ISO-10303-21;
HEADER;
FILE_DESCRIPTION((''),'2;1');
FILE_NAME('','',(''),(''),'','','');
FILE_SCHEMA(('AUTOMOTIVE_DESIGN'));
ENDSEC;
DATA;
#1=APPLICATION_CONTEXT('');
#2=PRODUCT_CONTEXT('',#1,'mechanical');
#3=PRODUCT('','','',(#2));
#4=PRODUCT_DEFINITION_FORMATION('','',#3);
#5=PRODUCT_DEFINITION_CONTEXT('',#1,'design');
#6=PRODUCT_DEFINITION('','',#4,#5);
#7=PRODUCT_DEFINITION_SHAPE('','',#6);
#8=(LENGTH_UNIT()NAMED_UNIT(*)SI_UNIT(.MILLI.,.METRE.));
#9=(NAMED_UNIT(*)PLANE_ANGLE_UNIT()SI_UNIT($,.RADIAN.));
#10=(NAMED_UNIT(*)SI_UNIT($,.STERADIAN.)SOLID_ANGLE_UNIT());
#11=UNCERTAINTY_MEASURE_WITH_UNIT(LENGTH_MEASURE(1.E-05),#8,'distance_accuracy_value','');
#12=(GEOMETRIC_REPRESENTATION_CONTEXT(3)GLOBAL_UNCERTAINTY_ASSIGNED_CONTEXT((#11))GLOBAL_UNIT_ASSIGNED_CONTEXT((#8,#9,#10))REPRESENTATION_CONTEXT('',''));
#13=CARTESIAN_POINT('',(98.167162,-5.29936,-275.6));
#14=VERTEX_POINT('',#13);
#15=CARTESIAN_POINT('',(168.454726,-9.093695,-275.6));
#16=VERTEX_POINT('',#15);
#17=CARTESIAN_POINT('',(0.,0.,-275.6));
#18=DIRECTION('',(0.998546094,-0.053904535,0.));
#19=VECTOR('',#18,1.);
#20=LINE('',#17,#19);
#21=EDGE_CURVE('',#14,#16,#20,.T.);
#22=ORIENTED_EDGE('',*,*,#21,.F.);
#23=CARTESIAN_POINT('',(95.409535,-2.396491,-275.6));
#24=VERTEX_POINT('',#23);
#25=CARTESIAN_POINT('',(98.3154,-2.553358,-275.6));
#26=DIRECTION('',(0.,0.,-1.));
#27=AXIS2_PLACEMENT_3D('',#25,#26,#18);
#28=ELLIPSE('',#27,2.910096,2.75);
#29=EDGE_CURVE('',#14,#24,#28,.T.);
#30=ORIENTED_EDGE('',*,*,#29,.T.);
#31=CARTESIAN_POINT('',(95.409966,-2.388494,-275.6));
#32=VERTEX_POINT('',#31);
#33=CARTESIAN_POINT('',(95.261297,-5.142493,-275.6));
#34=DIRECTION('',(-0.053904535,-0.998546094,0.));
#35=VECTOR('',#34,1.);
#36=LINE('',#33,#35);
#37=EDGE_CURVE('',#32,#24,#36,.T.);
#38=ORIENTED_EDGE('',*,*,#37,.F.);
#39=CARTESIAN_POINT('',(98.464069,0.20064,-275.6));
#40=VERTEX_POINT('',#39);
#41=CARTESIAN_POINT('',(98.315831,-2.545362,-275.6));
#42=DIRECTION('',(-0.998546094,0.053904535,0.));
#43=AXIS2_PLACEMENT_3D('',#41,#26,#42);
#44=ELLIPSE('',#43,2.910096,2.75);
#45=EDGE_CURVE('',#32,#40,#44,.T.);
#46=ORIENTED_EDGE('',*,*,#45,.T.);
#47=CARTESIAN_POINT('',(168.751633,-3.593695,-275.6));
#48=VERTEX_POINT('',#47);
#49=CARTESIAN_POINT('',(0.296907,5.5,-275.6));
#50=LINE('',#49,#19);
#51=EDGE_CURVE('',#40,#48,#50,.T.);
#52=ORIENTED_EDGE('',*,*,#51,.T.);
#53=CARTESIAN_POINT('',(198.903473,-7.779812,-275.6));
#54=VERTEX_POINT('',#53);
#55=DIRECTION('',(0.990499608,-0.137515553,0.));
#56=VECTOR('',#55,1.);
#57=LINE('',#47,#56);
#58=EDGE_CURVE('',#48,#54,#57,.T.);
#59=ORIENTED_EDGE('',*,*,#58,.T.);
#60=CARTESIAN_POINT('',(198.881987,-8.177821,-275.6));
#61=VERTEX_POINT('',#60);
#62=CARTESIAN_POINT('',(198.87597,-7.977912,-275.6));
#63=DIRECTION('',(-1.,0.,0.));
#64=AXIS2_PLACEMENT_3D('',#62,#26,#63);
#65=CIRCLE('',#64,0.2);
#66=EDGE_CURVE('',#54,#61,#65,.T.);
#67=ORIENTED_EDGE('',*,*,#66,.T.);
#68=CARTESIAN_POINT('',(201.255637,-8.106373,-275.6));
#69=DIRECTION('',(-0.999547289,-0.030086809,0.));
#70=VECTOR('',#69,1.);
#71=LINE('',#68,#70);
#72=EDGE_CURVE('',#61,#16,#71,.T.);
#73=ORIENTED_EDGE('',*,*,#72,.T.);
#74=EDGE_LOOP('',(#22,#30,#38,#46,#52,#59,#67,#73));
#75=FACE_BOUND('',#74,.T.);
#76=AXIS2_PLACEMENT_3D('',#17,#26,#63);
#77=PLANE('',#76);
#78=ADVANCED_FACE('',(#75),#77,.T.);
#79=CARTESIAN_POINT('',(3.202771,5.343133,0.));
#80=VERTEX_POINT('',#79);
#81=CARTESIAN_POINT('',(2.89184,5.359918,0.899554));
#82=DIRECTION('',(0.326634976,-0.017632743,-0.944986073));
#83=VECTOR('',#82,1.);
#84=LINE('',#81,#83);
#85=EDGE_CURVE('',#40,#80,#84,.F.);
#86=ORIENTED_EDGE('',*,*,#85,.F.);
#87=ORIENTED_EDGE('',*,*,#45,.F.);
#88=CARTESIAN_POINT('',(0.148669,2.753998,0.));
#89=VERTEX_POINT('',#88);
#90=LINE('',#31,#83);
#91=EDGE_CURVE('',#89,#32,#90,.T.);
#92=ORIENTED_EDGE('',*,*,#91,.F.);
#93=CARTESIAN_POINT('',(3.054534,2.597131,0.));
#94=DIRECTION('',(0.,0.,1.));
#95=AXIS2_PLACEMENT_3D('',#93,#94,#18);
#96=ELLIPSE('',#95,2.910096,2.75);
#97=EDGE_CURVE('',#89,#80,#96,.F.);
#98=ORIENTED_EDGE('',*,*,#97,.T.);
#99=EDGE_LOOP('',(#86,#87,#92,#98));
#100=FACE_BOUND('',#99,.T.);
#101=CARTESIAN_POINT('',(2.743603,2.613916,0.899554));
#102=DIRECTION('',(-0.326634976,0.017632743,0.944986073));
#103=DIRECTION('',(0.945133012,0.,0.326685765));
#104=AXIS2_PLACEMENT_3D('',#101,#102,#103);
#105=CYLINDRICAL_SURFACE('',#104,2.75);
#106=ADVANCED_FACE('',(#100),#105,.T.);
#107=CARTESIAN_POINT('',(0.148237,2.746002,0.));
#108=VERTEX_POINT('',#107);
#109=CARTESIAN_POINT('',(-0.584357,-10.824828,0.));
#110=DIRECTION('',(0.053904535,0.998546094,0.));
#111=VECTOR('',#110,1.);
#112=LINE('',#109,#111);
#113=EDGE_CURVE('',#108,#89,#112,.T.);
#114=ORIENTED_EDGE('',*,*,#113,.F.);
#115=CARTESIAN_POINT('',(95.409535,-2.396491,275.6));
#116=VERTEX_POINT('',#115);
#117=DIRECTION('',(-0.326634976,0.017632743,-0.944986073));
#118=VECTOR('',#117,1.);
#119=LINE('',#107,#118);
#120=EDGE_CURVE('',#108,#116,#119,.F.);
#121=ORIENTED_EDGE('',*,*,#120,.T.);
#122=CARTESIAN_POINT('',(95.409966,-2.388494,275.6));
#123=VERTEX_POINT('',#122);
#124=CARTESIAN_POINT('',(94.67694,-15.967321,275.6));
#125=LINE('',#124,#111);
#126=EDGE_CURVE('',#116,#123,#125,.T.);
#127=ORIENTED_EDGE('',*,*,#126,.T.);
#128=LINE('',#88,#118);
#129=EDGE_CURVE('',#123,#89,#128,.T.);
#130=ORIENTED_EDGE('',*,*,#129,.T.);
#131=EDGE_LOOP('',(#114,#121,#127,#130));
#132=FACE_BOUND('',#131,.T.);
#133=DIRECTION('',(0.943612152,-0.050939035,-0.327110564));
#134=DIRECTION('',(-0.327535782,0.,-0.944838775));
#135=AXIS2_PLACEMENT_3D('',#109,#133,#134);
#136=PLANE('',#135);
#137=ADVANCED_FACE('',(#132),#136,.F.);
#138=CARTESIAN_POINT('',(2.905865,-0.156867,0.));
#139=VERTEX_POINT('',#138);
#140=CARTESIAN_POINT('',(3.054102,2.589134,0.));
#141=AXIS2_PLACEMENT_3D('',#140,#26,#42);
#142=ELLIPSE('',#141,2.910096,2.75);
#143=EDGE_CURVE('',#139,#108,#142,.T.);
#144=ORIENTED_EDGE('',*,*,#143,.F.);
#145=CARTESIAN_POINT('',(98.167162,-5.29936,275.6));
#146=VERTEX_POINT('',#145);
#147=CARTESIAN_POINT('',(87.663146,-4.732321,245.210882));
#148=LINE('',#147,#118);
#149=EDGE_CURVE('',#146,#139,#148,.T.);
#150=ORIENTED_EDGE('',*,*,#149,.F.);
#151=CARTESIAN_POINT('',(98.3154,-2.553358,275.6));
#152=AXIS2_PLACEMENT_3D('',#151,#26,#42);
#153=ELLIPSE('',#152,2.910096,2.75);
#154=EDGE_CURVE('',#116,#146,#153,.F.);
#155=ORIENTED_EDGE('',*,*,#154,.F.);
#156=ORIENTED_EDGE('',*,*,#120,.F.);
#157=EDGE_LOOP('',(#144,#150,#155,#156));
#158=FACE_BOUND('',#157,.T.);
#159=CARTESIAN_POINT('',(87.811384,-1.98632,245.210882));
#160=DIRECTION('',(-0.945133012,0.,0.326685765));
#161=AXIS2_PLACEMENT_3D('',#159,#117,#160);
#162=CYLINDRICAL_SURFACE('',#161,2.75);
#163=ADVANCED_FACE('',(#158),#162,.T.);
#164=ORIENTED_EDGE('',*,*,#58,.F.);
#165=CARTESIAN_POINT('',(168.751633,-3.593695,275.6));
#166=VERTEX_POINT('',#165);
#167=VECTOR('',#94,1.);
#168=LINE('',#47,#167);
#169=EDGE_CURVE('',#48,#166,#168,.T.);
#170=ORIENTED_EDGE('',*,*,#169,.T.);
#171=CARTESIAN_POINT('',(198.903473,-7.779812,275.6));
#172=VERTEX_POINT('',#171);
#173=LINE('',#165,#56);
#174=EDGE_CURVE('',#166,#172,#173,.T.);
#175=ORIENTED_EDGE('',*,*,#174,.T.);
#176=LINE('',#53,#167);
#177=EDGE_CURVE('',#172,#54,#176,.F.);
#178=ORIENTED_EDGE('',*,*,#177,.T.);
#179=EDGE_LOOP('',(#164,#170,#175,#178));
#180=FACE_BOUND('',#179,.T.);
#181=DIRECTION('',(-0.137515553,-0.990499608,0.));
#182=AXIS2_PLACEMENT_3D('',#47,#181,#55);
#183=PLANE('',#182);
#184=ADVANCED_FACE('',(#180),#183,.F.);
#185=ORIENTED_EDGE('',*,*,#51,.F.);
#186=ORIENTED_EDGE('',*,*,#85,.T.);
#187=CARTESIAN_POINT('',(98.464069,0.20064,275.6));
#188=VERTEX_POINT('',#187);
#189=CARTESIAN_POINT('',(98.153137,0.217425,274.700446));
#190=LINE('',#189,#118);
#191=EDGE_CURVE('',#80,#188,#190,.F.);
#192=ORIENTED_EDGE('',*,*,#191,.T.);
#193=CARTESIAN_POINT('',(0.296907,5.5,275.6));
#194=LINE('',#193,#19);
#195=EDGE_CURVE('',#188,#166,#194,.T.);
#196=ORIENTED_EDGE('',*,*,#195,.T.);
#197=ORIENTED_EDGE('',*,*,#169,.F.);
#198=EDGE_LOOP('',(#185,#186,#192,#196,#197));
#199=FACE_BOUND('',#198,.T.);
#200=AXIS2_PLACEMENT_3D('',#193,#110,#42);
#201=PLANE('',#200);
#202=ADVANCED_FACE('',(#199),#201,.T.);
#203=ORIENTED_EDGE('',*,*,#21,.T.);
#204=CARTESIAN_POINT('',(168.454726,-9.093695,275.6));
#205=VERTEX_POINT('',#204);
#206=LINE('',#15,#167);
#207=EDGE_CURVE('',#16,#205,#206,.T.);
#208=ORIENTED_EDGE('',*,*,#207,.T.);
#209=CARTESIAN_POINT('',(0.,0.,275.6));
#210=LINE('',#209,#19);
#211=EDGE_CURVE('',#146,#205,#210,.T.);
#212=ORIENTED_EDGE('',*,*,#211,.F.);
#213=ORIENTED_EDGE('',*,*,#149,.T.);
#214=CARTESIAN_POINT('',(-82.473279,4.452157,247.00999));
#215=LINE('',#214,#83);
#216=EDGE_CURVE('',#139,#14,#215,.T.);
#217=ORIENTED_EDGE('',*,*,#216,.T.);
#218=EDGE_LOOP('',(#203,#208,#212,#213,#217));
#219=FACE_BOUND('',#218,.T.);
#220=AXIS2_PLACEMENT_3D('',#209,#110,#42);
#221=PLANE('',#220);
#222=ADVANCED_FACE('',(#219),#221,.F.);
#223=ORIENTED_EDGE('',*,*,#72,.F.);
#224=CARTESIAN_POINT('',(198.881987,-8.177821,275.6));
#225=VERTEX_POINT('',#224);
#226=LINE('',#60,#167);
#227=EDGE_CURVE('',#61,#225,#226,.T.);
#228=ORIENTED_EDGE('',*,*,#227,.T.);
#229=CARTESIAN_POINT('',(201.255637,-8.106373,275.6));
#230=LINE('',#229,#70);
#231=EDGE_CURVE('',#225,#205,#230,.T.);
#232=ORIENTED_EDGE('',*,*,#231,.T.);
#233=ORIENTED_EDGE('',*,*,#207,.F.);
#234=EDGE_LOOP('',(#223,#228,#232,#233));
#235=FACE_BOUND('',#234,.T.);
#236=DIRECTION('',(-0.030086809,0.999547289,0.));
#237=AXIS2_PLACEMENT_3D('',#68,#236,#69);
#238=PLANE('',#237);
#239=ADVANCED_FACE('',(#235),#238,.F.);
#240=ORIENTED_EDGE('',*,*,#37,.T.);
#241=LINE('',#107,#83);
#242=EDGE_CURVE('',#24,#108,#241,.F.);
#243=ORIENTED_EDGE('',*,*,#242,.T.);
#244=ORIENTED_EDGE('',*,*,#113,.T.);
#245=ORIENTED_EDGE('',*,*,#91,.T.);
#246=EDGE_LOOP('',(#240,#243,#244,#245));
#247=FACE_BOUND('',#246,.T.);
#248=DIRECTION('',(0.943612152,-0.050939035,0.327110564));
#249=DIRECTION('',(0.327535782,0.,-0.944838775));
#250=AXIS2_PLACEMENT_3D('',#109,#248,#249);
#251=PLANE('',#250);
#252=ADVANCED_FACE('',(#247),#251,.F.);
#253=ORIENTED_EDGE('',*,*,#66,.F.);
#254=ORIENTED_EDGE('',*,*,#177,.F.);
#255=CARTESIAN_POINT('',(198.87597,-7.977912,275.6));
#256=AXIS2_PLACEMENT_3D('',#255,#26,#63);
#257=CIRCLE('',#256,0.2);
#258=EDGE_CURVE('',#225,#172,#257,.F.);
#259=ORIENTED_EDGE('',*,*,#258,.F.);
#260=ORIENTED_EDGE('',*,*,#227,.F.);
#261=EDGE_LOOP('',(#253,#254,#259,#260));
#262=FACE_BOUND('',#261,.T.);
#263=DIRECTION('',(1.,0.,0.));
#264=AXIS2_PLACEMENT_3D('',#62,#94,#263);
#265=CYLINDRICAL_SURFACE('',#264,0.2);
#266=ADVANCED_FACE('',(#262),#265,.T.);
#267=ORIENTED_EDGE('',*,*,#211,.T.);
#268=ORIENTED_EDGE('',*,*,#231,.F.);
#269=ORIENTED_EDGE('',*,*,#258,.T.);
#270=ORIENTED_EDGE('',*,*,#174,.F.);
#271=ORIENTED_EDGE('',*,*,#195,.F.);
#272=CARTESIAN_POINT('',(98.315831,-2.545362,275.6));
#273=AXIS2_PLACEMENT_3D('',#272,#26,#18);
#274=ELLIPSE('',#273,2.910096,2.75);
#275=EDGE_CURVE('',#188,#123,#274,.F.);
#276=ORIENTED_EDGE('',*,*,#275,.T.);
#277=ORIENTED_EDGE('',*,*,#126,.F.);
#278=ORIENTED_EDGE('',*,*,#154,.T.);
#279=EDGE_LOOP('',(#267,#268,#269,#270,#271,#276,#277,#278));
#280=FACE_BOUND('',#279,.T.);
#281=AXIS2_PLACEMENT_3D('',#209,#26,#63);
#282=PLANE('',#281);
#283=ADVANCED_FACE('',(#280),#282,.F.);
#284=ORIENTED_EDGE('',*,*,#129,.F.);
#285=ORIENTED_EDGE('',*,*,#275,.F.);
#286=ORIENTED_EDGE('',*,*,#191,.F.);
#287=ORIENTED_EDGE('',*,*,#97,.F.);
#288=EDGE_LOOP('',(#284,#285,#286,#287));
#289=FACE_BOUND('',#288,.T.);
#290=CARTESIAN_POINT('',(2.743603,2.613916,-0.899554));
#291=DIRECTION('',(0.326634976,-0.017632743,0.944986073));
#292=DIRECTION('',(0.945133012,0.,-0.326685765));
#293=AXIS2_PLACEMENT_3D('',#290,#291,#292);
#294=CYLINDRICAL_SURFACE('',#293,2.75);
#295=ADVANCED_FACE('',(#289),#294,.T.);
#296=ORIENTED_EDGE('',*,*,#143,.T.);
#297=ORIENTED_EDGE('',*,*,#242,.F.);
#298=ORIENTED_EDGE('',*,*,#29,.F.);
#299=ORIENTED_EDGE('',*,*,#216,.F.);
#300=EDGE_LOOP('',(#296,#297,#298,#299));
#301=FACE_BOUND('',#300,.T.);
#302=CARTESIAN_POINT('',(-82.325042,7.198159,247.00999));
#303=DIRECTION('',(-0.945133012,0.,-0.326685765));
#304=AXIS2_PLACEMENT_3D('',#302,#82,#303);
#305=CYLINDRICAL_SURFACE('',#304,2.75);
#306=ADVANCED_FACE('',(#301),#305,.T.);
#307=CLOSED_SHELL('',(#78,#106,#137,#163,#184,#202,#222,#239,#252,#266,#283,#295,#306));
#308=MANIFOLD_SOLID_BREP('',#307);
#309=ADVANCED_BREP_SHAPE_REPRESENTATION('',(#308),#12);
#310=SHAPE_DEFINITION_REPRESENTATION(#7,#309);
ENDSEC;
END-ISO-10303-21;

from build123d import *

# Parameters (mm, degrees)
BOSS_EXTRUDE1_DEPTH = 275.6
CUT_EXTRUDE1_DEPTH  = 342.565498998
CUT_EXTRUDE2_DEPTH  = 342.565498998
CUT_EXTRUDE3_DEPTH  = 587.943701099
CUT_EXTRUDE4_DEPTH  = 587.892777338
FILLET1_R           = 2.75
FILLET2_R           = 0.2


with BuildPart() as part:
    # Sketch1 → Boss-Extrude1 (new, symmetric)
    with BuildSketch(Plane.XY):
        Polygon((0, 0), (201.107183261, -10.856373276), (201.404089876, -5.356373276), (0.296906615, 5.5), align=None)
    extrude(amount=BOSS_EXTRUDE1_DEPTH, both=True)

    # Sketch2 → Cut-Extrude1 (cut, through all)
    with BuildSketch(Plane(origin=(0.296906615, 5.5, 0), x_dir=(0.9985460936510022, -0.053904534636001866, 0), z_dir=(0.053904534636001866, 0.9985460936510022, 0))):
        Polygon((0, 0), (95.4, 275.6), (0, 275.6), align=None)
    extrude(amount=-CUT_EXTRUDE1_DEPTH, mode=Mode.SUBTRACT)

    # Sketch3 → Cut-Extrude2 (cut, through all)
    with BuildSketch(Plane(origin=(0.296906615, 5.5, 0), x_dir=(0.9985460936510022, -0.053904534636001866, 0), z_dir=(0.053904534636001866, 0.9985460936510022, 0))):
        Polygon((0, 0), (95.4, -275.6), (0, -275.6), align=None)
    extrude(amount=-CUT_EXTRUDE2_DEPTH, mode=Mode.SUBTRACT)

    # Sketch4 → Cut-Extrude3 (cut, through all)
    with BuildSketch(Plane.XY.offset(275.6)):
        Polygon((168.751632614, -3.593694993), (201.255636569, -8.106373276), (201.404089876, -5.356373276), align=None)
    extrude(amount=-CUT_EXTRUDE3_DEPTH, mode=Mode.SUBTRACT)

    # Sketch5 → Cut-Extrude4 (cut, through all)
    with BuildSketch(Plane.XY.offset(275.6)):
        Polygon((201.255636569, -8.106373276), (168.454725999, -9.093694993), (201.107183261, -10.856373276), align=None)
    extrude(amount=-CUT_EXTRUDE4_DEPTH, mode=Mode.SUBTRACT)

    # Fillet1
    fillet1_edges = [part.edges().sort_by_distance(p)[0] for p in [
        (47.630648667, -2.571246302, -137.8),
        (47.927555282, 2.928753698, -137.8),
        (47.630648667, -2.571246302, 137.8),
        (47.927555282, 2.928753698, 137.8),
    ]]
    fillet(fillet1_edges, radius=FILLET1_R)

    # Fillet2
    fillet2_edges = [part.edges().sort_by_distance(p)[0] for p in [
        (201.255636569, -8.106373276, 0),
    ]]
    fillet(fillet2_edges, radius=FILLET2_R)


solid = part.part
